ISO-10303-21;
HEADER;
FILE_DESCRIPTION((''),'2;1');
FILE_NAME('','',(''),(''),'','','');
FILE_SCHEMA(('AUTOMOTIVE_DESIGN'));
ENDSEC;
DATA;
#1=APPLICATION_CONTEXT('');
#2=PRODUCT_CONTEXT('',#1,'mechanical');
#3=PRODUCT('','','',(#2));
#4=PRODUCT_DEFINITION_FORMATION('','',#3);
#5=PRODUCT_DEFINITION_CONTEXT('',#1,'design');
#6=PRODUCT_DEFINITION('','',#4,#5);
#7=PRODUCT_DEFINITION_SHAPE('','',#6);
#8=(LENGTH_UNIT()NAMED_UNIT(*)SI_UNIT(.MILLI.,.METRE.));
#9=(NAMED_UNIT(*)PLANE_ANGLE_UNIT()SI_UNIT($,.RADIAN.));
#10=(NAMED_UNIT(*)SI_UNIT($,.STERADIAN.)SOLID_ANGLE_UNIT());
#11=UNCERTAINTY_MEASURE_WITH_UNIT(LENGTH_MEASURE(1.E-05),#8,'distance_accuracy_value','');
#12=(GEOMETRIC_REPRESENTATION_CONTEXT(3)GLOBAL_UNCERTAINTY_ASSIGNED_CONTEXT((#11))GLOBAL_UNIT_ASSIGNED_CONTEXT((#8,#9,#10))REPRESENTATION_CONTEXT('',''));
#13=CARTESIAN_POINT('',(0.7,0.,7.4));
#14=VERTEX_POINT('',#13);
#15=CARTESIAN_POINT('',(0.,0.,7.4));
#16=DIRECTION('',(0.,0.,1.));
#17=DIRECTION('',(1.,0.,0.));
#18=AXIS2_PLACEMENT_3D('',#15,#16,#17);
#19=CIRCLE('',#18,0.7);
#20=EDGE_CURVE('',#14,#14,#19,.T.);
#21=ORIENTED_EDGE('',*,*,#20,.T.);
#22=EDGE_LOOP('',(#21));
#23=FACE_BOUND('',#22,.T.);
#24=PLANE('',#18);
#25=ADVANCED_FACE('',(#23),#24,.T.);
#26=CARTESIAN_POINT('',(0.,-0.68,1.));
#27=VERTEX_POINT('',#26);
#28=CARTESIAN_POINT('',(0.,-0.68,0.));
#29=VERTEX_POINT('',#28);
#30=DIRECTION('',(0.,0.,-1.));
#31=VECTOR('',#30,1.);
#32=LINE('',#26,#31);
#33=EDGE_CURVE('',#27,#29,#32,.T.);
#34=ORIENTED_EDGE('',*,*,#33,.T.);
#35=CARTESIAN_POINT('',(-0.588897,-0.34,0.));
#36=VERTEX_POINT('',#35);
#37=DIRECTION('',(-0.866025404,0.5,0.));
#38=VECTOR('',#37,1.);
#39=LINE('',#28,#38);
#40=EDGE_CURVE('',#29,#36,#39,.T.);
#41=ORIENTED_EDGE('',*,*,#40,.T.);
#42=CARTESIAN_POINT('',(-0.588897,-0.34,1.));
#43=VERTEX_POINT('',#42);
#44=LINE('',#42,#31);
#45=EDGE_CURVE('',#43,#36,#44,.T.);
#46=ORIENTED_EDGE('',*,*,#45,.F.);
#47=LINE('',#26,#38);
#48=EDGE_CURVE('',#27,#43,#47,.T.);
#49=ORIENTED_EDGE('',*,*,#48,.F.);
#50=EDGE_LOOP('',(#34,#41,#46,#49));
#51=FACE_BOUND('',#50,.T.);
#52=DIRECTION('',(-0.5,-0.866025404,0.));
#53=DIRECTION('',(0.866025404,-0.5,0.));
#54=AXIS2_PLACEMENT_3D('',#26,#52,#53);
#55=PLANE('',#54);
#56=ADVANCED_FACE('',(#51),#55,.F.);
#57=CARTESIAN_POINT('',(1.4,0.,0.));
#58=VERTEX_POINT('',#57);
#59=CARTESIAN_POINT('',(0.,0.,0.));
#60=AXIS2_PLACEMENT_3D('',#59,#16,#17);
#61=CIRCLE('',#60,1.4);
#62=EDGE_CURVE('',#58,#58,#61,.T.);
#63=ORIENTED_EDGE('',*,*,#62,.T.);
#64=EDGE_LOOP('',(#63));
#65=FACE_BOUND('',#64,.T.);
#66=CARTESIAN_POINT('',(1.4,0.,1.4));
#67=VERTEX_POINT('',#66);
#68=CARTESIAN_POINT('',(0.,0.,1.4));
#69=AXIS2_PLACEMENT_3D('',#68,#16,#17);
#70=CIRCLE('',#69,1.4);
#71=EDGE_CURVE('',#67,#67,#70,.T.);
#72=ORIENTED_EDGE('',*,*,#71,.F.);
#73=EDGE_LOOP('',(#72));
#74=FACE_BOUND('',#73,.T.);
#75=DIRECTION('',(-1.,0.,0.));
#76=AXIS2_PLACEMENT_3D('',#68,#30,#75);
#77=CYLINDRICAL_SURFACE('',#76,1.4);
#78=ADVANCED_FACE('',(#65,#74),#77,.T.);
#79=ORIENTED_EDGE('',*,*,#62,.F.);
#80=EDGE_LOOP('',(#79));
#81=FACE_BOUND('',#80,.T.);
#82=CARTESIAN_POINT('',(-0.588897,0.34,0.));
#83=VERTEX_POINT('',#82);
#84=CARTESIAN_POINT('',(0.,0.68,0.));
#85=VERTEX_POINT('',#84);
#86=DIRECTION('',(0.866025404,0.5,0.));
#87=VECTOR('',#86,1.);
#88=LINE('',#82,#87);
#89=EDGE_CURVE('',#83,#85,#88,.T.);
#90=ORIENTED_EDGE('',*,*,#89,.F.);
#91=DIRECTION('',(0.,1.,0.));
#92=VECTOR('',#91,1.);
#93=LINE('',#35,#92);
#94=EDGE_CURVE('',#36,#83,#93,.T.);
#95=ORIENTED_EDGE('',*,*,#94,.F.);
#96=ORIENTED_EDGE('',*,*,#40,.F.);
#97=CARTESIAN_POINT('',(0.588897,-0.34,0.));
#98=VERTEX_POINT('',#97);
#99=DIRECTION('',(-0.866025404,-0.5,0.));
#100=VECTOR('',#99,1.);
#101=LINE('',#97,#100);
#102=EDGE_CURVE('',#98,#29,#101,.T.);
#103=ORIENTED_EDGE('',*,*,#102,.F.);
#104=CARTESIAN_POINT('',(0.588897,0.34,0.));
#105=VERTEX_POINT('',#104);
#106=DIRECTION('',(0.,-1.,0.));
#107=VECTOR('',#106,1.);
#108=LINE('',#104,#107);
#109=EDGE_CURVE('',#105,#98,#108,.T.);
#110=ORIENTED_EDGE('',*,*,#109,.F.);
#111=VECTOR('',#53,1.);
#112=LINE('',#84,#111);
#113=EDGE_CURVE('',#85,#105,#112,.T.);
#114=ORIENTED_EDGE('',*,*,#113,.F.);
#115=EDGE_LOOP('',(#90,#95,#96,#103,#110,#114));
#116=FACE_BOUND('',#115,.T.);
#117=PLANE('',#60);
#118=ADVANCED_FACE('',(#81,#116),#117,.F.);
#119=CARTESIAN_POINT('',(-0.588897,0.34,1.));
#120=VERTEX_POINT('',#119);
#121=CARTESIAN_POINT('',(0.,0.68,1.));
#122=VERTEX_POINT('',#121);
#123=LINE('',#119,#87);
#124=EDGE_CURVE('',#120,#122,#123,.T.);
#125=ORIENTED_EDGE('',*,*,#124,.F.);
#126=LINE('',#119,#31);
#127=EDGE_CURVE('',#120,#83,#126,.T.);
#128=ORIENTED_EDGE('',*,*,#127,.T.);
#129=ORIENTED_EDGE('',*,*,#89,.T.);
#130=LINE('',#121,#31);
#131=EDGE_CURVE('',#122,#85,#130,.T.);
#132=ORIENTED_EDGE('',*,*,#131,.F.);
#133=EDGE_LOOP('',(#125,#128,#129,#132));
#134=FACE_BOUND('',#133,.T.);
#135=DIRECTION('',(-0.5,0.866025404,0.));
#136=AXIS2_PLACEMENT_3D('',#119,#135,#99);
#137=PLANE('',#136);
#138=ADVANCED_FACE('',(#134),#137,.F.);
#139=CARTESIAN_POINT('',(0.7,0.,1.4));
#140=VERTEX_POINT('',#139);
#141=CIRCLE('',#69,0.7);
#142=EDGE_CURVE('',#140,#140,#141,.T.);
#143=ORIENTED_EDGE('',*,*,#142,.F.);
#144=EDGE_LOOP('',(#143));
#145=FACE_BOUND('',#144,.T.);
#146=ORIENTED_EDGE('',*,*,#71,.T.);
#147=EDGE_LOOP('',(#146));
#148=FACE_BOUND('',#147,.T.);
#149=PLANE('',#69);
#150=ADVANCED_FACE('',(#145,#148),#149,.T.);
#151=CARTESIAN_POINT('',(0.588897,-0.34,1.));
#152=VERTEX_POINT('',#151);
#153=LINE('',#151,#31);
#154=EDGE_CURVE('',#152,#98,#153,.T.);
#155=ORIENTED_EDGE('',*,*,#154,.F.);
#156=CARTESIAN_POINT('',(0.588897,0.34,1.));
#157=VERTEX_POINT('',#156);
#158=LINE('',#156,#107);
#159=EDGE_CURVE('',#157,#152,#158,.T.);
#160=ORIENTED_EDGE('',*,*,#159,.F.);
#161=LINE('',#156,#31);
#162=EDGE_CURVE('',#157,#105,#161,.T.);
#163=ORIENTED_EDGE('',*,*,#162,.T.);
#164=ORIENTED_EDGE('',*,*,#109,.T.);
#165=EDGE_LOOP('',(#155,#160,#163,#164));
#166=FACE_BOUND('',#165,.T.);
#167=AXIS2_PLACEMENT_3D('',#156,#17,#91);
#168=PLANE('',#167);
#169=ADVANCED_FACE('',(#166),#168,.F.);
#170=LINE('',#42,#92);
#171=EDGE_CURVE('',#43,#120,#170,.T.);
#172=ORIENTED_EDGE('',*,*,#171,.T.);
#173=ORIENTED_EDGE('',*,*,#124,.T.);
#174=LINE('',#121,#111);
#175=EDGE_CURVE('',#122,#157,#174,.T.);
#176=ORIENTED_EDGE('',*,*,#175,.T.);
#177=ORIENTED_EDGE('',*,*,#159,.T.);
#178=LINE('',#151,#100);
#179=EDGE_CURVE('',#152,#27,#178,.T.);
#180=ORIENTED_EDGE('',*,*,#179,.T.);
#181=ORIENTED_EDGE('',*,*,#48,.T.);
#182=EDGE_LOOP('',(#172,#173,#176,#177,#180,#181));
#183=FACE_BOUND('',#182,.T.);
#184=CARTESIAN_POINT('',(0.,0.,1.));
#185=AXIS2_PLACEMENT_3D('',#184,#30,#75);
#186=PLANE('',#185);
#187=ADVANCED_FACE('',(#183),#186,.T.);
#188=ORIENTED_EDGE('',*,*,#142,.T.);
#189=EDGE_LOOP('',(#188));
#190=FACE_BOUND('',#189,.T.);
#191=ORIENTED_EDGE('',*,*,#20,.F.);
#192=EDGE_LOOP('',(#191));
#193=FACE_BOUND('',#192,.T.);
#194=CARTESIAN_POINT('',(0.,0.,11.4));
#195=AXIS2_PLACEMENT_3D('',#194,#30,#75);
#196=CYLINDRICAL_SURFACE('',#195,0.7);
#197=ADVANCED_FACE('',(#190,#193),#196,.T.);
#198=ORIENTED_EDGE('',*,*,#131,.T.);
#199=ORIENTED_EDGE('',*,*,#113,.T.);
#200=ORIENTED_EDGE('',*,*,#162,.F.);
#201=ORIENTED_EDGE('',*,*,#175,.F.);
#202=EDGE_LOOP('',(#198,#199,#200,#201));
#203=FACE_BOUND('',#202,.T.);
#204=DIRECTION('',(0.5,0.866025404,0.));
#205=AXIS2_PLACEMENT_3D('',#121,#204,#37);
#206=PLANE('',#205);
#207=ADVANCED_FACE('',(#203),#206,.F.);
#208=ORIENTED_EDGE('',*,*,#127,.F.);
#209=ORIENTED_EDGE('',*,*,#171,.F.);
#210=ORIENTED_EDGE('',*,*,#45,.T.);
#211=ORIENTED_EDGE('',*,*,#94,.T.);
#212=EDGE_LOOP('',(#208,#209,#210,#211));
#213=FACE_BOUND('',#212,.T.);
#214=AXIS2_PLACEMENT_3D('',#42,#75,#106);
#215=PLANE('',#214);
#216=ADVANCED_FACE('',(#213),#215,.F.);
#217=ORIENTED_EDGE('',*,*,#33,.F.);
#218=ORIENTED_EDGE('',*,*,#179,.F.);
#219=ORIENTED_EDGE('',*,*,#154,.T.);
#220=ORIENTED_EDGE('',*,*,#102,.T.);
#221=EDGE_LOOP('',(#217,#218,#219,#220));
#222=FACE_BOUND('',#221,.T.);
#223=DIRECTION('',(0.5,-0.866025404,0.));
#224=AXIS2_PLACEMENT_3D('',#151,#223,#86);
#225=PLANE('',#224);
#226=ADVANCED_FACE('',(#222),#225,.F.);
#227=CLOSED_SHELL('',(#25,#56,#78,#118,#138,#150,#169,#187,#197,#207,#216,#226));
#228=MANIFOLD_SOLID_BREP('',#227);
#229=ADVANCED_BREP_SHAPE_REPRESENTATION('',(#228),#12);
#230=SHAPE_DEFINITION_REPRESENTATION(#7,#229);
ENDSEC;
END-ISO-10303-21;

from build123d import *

# Parameters (mm, degrees)
SKETCH_1_R          = 1.4
EXTRUDE_1_DEPTH     = 1.4
SKETCH_2_R          = 0.7
EXTRUDE_2_DEPTH     = 10
CUT_EXTRUDE_1_DEPTH = 1
SKETCH_4_R          = 2.875018911
CUT_EXTRUDE_2_DEPTH = 4


with BuildPart() as part:
    # 草图1 → 凸台-拉伸1 (new body)
    with BuildSketch(Plane.XY):
        Circle(SKETCH_1_R)
    extrude(amount=EXTRUDE_1_DEPTH)

    # 草图2 → 凸台-拉伸2 (add)
    with BuildSketch(Plane.XY.offset(1.4)):
        Circle(SKETCH_2_R)
    extrude(amount=EXTRUDE_2_DEPTH)

    # 草图3 → 切除-拉伸1 (cut)
    with BuildSketch(Plane(origin=(0, 0, 0), x_dir=(-1, 0, 0), z_dir=(0, 0, -1))):
        Polygon((0, 0.68), (-0.588897275, 0.34), (-0.588897275, -0.34), (0, -0.68), (0.588897275, -0.34), (0.588897275, 0.34), align=None)
    extrude(amount=-CUT_EXTRUDE_1_DEPTH, mode=Mode.SUBTRACT)

    # 草图4 → 切除-拉伸2 (cut)
    with BuildSketch(Plane.XY.offset(11.4)):
        Circle(SKETCH_4_R)
    extrude(amount=-CUT_EXTRUDE_2_DEPTH, mode=Mode.SUBTRACT)


solid = part.part
